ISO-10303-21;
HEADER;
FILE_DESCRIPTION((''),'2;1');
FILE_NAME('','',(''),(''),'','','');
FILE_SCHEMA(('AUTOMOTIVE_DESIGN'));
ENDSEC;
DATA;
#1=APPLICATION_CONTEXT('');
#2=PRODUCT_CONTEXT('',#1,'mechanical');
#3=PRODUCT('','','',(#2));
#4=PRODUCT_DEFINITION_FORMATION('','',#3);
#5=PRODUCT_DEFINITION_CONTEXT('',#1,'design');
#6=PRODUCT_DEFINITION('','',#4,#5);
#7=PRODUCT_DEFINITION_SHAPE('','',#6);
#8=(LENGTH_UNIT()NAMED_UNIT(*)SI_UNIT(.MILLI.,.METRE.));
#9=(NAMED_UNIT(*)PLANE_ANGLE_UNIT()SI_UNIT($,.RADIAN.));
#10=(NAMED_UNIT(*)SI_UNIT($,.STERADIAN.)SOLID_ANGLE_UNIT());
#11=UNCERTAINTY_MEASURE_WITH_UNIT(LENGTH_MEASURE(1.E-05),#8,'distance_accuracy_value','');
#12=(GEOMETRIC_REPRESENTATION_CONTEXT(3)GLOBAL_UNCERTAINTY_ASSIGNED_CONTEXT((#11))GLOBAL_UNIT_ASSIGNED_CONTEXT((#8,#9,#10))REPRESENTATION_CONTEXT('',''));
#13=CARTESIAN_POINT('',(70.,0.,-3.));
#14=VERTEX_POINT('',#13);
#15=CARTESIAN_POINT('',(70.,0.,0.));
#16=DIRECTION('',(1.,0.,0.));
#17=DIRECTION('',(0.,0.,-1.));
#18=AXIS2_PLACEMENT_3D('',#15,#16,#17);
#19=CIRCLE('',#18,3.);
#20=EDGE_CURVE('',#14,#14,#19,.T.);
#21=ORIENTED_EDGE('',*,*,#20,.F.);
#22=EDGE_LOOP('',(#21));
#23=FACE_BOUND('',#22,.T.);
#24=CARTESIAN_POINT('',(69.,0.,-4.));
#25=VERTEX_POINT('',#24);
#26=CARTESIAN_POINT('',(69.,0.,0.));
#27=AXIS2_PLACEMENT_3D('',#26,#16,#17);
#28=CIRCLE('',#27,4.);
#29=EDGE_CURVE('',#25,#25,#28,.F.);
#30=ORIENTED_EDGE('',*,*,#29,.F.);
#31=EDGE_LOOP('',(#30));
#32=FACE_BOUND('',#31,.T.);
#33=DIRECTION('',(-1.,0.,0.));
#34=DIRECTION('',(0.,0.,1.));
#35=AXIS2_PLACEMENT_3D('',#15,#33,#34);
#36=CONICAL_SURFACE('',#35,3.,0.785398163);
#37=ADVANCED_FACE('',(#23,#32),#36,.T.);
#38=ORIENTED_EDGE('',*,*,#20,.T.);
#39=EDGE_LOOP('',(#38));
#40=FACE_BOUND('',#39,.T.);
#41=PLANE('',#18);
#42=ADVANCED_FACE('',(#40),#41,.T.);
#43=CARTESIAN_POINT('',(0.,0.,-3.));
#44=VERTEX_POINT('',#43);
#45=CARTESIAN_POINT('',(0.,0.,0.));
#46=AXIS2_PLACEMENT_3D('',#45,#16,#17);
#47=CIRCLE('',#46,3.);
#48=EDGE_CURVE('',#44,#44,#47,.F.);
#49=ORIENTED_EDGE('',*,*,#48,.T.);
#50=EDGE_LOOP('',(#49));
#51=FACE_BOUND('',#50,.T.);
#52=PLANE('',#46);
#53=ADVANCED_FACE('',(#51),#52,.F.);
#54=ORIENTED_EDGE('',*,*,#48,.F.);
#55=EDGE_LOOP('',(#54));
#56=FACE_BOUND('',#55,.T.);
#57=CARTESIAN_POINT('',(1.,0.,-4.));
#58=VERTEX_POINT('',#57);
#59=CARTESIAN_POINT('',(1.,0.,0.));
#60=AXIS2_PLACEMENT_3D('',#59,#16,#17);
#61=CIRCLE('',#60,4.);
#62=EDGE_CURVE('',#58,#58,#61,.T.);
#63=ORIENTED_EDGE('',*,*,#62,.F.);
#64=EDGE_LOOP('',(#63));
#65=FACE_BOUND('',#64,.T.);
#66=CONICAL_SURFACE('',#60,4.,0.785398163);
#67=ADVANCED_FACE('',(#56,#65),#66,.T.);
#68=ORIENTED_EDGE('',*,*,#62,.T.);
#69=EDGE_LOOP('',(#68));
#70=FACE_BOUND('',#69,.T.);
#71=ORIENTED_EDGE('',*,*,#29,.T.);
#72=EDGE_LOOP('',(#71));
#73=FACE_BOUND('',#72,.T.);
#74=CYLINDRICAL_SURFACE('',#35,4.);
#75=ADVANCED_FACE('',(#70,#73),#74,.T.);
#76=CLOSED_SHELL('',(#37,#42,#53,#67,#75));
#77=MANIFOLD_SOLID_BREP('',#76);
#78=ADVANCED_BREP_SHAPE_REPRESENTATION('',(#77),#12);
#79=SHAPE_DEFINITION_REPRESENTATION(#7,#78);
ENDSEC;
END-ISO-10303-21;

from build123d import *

# Parameters (mm, degrees)
SCHIZZO1_R                   = 4
ESTRUSIONE_ESTRUSIONE1_DEPTH = 70
SMUSSO1_SIZE                 = 1


with BuildPart() as part:
    # Schizzo1 → Estrusione-Estrusione1 (new body)
    with BuildSketch(Plane(origin=(0, 0, 0), x_dir=(0, 0, -1), z_dir=(1, 0, 0))):
        Circle(SCHIZZO1_R)
    extrude(amount=ESTRUSIONE_ESTRUSIONE1_DEPTH)

    # Smusso1
    smusso1_edges = [part.edges().sort_by_distance(p)[0] for p in [
        (0, 0, 4),
        (70, 0, 4),
    ]]
    chamfer(smusso1_edges, length=SMUSSO1_SIZE)


solid = part.part
